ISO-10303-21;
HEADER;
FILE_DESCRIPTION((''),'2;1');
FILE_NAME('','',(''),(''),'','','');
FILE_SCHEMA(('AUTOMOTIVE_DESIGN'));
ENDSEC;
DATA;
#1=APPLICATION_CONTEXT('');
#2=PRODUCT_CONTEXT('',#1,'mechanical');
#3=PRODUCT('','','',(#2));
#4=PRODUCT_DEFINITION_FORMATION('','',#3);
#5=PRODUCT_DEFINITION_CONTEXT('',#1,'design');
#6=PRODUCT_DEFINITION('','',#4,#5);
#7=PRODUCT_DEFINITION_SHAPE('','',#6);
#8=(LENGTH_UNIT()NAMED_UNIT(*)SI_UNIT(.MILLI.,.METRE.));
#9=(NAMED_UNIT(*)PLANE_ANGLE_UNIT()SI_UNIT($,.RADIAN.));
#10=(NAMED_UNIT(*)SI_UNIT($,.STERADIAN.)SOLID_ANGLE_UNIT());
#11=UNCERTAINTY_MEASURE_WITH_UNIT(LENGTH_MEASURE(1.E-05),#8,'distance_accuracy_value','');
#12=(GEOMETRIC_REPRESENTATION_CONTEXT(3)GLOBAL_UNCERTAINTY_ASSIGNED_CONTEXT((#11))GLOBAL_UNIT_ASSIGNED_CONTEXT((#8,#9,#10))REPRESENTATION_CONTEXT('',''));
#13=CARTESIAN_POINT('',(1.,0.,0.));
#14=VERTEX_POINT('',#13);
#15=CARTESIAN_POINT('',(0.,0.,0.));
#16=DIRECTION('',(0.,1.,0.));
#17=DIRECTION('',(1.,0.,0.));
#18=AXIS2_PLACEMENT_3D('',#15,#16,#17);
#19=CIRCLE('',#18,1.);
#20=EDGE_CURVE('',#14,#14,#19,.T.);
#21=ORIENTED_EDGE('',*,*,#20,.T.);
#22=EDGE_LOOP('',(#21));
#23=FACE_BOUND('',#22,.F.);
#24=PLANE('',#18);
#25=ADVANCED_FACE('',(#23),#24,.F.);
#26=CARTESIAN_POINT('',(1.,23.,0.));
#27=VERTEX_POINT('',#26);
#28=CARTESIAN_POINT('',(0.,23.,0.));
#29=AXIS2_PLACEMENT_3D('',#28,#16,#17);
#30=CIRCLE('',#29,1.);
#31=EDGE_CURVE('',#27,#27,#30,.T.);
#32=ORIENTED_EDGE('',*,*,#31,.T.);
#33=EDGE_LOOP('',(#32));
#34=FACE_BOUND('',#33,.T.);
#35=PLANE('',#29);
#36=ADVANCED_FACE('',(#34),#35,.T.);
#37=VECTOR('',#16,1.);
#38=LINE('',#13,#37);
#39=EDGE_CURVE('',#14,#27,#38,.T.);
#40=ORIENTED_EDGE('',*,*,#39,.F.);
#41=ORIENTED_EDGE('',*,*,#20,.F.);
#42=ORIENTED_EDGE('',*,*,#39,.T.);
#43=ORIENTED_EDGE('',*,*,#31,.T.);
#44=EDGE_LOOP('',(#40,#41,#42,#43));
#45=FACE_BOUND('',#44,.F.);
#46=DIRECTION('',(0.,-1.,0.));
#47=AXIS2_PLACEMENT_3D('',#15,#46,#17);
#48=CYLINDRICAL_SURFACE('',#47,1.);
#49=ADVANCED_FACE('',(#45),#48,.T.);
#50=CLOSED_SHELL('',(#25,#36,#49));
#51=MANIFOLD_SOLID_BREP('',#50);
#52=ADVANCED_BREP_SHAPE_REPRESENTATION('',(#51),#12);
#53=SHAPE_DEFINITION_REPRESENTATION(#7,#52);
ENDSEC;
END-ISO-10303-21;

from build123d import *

# Parameters (mm, degrees)
SKETCH1_R           = 1
BOSS_EXTRUDE1_DEPTH = 23


with BuildPart() as part:
    # Sketch1 → Boss-Extrude1 (new body)
    with BuildSketch(Plane(origin=(0, 0, 0), x_dir=(1, 0, 0), z_dir=(0, 1, 0))):
        Circle(SKETCH1_R)
    extrude(amount=BOSS_EXTRUDE1_DEPTH)


solid = part.part
